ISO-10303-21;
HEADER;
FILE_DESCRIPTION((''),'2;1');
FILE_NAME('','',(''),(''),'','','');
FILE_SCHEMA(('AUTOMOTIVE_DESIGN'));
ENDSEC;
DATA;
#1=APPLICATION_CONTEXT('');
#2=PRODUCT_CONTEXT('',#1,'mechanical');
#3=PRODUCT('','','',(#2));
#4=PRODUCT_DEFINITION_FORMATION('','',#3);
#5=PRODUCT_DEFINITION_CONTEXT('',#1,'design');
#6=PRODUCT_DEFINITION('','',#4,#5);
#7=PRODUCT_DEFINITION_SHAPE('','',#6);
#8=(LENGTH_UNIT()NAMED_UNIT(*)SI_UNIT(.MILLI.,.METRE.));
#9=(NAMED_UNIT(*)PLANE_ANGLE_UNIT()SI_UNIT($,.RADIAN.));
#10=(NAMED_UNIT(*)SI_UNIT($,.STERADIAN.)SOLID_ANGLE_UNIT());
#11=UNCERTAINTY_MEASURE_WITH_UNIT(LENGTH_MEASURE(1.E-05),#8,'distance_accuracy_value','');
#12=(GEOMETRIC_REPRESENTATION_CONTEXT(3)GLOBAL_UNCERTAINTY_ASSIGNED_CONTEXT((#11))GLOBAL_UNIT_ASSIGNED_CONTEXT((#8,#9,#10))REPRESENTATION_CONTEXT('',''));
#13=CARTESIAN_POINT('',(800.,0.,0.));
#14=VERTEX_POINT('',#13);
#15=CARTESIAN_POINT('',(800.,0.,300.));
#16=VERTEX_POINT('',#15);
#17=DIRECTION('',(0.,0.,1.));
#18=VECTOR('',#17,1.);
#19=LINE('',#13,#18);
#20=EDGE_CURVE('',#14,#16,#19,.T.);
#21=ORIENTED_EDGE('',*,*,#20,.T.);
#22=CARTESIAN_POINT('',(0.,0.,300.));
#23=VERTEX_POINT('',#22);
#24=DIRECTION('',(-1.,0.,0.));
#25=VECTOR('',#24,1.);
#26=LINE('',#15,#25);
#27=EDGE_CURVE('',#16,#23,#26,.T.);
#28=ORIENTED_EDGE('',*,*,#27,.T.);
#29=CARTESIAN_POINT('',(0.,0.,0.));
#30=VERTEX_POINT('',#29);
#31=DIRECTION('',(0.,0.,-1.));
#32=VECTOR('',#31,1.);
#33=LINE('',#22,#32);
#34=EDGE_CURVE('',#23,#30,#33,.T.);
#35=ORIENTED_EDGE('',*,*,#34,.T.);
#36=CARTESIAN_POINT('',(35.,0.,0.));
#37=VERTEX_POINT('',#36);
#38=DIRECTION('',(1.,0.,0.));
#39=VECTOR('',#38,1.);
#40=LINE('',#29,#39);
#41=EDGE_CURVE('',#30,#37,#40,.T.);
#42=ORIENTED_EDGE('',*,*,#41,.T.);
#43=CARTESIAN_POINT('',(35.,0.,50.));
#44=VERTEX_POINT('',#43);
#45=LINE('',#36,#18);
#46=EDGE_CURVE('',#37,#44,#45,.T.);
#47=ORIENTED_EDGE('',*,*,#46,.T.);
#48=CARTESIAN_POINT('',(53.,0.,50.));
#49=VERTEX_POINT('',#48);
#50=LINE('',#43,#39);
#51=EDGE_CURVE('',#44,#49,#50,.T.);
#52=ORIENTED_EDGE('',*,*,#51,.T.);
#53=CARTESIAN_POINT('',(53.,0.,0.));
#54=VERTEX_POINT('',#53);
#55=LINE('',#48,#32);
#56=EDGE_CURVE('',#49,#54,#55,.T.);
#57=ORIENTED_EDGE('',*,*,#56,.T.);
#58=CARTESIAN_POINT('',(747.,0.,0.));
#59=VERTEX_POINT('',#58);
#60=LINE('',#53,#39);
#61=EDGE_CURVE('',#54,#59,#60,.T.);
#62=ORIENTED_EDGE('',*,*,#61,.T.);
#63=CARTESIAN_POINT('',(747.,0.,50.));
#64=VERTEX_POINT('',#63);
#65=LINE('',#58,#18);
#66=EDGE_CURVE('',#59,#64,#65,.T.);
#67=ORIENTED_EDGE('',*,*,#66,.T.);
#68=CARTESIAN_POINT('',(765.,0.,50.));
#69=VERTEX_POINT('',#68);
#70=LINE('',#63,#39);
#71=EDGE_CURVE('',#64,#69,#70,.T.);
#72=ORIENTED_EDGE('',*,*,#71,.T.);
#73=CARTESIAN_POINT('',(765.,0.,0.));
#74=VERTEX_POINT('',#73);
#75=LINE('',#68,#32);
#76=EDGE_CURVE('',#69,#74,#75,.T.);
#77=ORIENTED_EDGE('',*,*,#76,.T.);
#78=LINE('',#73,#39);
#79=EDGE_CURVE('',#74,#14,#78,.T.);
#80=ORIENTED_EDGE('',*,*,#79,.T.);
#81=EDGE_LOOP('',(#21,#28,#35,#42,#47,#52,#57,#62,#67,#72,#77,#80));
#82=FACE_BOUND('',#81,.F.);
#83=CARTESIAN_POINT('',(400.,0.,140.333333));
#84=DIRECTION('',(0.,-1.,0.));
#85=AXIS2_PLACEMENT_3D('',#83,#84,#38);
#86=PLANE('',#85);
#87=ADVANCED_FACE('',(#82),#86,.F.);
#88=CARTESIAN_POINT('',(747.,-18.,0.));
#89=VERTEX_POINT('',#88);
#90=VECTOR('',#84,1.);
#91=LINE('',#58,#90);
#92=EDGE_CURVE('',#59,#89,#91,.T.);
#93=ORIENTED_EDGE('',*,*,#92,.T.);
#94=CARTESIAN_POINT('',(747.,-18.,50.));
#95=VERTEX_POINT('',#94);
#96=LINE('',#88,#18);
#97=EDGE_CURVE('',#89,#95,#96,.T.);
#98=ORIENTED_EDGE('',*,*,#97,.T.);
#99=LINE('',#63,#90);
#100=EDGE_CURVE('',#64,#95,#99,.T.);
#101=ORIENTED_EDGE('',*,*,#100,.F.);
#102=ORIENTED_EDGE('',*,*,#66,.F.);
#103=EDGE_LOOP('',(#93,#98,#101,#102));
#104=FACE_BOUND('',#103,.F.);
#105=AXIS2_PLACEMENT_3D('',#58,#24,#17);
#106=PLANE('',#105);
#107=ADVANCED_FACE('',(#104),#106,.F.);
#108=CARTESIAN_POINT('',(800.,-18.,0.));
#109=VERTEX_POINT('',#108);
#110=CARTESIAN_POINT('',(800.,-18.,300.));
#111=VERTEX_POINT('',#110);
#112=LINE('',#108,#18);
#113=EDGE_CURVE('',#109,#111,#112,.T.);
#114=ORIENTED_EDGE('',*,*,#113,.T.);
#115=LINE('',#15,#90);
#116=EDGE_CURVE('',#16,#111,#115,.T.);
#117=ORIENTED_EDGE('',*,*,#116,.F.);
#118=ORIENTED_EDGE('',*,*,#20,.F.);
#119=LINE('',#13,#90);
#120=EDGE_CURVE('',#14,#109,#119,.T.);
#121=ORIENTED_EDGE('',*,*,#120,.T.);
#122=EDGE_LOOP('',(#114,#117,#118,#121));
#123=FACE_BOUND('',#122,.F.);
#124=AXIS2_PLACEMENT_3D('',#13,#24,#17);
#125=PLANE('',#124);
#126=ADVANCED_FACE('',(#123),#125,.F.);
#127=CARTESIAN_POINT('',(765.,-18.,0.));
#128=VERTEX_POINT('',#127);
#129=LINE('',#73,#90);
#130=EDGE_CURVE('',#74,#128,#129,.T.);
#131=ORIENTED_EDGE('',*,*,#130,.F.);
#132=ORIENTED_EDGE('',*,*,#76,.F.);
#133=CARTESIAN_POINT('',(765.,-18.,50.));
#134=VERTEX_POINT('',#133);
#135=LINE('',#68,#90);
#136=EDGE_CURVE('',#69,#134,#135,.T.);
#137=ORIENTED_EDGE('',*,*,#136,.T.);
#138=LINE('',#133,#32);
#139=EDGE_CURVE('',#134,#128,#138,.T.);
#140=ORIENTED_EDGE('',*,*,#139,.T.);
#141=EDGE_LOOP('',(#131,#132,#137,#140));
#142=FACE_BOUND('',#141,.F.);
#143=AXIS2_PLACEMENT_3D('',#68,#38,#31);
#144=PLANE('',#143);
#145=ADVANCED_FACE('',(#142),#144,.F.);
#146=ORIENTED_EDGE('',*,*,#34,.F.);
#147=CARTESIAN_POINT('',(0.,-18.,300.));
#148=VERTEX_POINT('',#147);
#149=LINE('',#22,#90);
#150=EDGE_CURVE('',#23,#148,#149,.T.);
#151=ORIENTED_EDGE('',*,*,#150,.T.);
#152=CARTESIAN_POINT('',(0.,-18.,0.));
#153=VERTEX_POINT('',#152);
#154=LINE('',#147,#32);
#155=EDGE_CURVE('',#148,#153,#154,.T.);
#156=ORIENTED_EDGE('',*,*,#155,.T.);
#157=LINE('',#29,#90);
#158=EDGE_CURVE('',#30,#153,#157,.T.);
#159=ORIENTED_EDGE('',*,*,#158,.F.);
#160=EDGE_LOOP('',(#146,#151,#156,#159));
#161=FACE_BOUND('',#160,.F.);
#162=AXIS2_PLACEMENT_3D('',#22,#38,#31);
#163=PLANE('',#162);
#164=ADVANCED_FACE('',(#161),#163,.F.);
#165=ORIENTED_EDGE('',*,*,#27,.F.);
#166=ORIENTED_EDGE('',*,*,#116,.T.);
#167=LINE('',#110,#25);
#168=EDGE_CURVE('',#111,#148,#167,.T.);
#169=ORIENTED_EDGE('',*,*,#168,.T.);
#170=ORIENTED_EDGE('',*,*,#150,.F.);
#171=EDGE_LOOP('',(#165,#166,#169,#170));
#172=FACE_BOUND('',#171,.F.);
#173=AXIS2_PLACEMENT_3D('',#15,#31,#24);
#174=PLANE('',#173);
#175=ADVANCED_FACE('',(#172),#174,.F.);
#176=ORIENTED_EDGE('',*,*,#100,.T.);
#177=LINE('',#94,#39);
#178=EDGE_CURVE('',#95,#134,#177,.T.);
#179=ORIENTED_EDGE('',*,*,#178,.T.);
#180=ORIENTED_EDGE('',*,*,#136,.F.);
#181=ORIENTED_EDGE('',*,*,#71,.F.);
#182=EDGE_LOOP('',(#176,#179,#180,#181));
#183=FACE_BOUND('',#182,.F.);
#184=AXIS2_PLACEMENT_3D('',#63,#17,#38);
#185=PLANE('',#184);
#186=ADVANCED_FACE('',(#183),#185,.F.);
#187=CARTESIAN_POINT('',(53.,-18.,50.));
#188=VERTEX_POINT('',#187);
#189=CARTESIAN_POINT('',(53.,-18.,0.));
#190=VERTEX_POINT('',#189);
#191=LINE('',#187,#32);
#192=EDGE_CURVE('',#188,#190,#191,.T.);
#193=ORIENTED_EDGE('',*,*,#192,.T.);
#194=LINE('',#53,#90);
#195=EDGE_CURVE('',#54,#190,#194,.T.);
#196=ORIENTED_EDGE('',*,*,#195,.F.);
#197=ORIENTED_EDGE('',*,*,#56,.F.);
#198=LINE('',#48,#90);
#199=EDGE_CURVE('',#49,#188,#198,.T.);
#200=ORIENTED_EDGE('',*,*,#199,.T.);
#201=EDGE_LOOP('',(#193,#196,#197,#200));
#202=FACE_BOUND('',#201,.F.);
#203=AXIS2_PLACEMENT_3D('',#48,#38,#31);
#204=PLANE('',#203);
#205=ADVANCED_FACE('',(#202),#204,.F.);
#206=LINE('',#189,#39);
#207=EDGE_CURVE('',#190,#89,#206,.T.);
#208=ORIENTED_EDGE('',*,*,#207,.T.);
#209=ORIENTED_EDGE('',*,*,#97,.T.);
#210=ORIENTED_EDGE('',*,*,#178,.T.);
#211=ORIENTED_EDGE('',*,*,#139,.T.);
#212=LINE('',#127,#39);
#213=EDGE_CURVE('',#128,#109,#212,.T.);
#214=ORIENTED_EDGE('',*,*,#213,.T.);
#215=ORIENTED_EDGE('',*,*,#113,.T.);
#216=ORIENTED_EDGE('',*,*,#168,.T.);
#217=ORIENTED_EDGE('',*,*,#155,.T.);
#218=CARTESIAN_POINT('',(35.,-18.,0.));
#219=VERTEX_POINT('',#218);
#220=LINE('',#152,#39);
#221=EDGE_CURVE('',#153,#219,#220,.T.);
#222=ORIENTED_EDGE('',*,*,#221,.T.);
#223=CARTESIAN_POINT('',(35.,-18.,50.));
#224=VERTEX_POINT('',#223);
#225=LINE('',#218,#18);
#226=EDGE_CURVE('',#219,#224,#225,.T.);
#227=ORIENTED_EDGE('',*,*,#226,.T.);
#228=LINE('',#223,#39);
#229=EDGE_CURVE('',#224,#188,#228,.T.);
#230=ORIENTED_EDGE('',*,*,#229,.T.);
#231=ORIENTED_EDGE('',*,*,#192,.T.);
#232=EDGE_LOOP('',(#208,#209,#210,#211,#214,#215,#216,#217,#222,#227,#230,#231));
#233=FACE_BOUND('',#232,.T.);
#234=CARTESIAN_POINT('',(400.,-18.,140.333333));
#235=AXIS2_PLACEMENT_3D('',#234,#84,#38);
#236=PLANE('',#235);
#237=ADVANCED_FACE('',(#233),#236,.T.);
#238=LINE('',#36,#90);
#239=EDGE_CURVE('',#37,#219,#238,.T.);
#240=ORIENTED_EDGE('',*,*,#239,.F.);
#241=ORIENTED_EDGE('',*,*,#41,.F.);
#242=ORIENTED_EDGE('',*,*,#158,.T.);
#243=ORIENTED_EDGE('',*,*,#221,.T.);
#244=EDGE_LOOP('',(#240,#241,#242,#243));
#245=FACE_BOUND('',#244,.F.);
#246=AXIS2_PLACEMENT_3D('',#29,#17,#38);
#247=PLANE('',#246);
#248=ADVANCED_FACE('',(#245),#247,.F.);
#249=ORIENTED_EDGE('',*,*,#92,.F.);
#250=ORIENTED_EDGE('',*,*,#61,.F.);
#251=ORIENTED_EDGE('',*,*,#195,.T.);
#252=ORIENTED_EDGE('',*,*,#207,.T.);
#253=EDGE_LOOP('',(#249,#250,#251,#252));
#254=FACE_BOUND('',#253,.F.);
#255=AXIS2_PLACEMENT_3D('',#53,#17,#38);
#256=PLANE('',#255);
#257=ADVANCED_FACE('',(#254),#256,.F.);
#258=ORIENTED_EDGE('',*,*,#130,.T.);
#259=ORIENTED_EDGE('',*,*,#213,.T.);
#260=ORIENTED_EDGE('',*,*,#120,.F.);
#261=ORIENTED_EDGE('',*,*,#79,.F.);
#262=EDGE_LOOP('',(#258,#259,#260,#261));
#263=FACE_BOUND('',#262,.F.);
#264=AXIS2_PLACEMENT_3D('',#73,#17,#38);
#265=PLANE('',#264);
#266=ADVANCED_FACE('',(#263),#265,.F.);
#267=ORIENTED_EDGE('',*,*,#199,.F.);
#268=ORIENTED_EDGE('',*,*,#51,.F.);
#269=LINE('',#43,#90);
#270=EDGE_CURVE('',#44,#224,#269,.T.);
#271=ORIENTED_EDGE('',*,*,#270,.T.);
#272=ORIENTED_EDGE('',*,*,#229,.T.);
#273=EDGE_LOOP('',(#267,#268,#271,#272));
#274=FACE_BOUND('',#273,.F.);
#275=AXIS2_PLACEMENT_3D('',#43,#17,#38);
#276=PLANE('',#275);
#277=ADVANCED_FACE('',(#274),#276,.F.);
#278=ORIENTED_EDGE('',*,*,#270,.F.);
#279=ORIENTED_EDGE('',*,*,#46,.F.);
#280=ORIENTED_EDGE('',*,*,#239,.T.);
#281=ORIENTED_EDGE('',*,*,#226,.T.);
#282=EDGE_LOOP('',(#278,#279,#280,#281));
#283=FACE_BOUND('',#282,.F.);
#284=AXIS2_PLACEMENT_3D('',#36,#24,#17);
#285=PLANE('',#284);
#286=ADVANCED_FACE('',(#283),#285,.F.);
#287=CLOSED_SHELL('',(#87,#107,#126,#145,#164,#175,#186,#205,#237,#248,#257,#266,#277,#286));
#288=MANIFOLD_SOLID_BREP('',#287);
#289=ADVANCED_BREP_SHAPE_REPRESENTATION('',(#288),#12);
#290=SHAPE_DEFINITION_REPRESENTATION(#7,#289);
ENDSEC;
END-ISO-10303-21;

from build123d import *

# Parameters (mm, degrees)
PAD_DEPTH = 18


with BuildPart() as part:
    # Sketch → Pad (new body)
    with BuildSketch(Plane.XZ):
        Polygon((0, 0), (35, 0), (35, 50), (53, 50), (53, 0), (747, 0), (747, 50), (765, 50), (765, 0), (800, 0), (800, 300), (0, 300), align=None)
    extrude(amount=PAD_DEPTH)


solid = part.part
